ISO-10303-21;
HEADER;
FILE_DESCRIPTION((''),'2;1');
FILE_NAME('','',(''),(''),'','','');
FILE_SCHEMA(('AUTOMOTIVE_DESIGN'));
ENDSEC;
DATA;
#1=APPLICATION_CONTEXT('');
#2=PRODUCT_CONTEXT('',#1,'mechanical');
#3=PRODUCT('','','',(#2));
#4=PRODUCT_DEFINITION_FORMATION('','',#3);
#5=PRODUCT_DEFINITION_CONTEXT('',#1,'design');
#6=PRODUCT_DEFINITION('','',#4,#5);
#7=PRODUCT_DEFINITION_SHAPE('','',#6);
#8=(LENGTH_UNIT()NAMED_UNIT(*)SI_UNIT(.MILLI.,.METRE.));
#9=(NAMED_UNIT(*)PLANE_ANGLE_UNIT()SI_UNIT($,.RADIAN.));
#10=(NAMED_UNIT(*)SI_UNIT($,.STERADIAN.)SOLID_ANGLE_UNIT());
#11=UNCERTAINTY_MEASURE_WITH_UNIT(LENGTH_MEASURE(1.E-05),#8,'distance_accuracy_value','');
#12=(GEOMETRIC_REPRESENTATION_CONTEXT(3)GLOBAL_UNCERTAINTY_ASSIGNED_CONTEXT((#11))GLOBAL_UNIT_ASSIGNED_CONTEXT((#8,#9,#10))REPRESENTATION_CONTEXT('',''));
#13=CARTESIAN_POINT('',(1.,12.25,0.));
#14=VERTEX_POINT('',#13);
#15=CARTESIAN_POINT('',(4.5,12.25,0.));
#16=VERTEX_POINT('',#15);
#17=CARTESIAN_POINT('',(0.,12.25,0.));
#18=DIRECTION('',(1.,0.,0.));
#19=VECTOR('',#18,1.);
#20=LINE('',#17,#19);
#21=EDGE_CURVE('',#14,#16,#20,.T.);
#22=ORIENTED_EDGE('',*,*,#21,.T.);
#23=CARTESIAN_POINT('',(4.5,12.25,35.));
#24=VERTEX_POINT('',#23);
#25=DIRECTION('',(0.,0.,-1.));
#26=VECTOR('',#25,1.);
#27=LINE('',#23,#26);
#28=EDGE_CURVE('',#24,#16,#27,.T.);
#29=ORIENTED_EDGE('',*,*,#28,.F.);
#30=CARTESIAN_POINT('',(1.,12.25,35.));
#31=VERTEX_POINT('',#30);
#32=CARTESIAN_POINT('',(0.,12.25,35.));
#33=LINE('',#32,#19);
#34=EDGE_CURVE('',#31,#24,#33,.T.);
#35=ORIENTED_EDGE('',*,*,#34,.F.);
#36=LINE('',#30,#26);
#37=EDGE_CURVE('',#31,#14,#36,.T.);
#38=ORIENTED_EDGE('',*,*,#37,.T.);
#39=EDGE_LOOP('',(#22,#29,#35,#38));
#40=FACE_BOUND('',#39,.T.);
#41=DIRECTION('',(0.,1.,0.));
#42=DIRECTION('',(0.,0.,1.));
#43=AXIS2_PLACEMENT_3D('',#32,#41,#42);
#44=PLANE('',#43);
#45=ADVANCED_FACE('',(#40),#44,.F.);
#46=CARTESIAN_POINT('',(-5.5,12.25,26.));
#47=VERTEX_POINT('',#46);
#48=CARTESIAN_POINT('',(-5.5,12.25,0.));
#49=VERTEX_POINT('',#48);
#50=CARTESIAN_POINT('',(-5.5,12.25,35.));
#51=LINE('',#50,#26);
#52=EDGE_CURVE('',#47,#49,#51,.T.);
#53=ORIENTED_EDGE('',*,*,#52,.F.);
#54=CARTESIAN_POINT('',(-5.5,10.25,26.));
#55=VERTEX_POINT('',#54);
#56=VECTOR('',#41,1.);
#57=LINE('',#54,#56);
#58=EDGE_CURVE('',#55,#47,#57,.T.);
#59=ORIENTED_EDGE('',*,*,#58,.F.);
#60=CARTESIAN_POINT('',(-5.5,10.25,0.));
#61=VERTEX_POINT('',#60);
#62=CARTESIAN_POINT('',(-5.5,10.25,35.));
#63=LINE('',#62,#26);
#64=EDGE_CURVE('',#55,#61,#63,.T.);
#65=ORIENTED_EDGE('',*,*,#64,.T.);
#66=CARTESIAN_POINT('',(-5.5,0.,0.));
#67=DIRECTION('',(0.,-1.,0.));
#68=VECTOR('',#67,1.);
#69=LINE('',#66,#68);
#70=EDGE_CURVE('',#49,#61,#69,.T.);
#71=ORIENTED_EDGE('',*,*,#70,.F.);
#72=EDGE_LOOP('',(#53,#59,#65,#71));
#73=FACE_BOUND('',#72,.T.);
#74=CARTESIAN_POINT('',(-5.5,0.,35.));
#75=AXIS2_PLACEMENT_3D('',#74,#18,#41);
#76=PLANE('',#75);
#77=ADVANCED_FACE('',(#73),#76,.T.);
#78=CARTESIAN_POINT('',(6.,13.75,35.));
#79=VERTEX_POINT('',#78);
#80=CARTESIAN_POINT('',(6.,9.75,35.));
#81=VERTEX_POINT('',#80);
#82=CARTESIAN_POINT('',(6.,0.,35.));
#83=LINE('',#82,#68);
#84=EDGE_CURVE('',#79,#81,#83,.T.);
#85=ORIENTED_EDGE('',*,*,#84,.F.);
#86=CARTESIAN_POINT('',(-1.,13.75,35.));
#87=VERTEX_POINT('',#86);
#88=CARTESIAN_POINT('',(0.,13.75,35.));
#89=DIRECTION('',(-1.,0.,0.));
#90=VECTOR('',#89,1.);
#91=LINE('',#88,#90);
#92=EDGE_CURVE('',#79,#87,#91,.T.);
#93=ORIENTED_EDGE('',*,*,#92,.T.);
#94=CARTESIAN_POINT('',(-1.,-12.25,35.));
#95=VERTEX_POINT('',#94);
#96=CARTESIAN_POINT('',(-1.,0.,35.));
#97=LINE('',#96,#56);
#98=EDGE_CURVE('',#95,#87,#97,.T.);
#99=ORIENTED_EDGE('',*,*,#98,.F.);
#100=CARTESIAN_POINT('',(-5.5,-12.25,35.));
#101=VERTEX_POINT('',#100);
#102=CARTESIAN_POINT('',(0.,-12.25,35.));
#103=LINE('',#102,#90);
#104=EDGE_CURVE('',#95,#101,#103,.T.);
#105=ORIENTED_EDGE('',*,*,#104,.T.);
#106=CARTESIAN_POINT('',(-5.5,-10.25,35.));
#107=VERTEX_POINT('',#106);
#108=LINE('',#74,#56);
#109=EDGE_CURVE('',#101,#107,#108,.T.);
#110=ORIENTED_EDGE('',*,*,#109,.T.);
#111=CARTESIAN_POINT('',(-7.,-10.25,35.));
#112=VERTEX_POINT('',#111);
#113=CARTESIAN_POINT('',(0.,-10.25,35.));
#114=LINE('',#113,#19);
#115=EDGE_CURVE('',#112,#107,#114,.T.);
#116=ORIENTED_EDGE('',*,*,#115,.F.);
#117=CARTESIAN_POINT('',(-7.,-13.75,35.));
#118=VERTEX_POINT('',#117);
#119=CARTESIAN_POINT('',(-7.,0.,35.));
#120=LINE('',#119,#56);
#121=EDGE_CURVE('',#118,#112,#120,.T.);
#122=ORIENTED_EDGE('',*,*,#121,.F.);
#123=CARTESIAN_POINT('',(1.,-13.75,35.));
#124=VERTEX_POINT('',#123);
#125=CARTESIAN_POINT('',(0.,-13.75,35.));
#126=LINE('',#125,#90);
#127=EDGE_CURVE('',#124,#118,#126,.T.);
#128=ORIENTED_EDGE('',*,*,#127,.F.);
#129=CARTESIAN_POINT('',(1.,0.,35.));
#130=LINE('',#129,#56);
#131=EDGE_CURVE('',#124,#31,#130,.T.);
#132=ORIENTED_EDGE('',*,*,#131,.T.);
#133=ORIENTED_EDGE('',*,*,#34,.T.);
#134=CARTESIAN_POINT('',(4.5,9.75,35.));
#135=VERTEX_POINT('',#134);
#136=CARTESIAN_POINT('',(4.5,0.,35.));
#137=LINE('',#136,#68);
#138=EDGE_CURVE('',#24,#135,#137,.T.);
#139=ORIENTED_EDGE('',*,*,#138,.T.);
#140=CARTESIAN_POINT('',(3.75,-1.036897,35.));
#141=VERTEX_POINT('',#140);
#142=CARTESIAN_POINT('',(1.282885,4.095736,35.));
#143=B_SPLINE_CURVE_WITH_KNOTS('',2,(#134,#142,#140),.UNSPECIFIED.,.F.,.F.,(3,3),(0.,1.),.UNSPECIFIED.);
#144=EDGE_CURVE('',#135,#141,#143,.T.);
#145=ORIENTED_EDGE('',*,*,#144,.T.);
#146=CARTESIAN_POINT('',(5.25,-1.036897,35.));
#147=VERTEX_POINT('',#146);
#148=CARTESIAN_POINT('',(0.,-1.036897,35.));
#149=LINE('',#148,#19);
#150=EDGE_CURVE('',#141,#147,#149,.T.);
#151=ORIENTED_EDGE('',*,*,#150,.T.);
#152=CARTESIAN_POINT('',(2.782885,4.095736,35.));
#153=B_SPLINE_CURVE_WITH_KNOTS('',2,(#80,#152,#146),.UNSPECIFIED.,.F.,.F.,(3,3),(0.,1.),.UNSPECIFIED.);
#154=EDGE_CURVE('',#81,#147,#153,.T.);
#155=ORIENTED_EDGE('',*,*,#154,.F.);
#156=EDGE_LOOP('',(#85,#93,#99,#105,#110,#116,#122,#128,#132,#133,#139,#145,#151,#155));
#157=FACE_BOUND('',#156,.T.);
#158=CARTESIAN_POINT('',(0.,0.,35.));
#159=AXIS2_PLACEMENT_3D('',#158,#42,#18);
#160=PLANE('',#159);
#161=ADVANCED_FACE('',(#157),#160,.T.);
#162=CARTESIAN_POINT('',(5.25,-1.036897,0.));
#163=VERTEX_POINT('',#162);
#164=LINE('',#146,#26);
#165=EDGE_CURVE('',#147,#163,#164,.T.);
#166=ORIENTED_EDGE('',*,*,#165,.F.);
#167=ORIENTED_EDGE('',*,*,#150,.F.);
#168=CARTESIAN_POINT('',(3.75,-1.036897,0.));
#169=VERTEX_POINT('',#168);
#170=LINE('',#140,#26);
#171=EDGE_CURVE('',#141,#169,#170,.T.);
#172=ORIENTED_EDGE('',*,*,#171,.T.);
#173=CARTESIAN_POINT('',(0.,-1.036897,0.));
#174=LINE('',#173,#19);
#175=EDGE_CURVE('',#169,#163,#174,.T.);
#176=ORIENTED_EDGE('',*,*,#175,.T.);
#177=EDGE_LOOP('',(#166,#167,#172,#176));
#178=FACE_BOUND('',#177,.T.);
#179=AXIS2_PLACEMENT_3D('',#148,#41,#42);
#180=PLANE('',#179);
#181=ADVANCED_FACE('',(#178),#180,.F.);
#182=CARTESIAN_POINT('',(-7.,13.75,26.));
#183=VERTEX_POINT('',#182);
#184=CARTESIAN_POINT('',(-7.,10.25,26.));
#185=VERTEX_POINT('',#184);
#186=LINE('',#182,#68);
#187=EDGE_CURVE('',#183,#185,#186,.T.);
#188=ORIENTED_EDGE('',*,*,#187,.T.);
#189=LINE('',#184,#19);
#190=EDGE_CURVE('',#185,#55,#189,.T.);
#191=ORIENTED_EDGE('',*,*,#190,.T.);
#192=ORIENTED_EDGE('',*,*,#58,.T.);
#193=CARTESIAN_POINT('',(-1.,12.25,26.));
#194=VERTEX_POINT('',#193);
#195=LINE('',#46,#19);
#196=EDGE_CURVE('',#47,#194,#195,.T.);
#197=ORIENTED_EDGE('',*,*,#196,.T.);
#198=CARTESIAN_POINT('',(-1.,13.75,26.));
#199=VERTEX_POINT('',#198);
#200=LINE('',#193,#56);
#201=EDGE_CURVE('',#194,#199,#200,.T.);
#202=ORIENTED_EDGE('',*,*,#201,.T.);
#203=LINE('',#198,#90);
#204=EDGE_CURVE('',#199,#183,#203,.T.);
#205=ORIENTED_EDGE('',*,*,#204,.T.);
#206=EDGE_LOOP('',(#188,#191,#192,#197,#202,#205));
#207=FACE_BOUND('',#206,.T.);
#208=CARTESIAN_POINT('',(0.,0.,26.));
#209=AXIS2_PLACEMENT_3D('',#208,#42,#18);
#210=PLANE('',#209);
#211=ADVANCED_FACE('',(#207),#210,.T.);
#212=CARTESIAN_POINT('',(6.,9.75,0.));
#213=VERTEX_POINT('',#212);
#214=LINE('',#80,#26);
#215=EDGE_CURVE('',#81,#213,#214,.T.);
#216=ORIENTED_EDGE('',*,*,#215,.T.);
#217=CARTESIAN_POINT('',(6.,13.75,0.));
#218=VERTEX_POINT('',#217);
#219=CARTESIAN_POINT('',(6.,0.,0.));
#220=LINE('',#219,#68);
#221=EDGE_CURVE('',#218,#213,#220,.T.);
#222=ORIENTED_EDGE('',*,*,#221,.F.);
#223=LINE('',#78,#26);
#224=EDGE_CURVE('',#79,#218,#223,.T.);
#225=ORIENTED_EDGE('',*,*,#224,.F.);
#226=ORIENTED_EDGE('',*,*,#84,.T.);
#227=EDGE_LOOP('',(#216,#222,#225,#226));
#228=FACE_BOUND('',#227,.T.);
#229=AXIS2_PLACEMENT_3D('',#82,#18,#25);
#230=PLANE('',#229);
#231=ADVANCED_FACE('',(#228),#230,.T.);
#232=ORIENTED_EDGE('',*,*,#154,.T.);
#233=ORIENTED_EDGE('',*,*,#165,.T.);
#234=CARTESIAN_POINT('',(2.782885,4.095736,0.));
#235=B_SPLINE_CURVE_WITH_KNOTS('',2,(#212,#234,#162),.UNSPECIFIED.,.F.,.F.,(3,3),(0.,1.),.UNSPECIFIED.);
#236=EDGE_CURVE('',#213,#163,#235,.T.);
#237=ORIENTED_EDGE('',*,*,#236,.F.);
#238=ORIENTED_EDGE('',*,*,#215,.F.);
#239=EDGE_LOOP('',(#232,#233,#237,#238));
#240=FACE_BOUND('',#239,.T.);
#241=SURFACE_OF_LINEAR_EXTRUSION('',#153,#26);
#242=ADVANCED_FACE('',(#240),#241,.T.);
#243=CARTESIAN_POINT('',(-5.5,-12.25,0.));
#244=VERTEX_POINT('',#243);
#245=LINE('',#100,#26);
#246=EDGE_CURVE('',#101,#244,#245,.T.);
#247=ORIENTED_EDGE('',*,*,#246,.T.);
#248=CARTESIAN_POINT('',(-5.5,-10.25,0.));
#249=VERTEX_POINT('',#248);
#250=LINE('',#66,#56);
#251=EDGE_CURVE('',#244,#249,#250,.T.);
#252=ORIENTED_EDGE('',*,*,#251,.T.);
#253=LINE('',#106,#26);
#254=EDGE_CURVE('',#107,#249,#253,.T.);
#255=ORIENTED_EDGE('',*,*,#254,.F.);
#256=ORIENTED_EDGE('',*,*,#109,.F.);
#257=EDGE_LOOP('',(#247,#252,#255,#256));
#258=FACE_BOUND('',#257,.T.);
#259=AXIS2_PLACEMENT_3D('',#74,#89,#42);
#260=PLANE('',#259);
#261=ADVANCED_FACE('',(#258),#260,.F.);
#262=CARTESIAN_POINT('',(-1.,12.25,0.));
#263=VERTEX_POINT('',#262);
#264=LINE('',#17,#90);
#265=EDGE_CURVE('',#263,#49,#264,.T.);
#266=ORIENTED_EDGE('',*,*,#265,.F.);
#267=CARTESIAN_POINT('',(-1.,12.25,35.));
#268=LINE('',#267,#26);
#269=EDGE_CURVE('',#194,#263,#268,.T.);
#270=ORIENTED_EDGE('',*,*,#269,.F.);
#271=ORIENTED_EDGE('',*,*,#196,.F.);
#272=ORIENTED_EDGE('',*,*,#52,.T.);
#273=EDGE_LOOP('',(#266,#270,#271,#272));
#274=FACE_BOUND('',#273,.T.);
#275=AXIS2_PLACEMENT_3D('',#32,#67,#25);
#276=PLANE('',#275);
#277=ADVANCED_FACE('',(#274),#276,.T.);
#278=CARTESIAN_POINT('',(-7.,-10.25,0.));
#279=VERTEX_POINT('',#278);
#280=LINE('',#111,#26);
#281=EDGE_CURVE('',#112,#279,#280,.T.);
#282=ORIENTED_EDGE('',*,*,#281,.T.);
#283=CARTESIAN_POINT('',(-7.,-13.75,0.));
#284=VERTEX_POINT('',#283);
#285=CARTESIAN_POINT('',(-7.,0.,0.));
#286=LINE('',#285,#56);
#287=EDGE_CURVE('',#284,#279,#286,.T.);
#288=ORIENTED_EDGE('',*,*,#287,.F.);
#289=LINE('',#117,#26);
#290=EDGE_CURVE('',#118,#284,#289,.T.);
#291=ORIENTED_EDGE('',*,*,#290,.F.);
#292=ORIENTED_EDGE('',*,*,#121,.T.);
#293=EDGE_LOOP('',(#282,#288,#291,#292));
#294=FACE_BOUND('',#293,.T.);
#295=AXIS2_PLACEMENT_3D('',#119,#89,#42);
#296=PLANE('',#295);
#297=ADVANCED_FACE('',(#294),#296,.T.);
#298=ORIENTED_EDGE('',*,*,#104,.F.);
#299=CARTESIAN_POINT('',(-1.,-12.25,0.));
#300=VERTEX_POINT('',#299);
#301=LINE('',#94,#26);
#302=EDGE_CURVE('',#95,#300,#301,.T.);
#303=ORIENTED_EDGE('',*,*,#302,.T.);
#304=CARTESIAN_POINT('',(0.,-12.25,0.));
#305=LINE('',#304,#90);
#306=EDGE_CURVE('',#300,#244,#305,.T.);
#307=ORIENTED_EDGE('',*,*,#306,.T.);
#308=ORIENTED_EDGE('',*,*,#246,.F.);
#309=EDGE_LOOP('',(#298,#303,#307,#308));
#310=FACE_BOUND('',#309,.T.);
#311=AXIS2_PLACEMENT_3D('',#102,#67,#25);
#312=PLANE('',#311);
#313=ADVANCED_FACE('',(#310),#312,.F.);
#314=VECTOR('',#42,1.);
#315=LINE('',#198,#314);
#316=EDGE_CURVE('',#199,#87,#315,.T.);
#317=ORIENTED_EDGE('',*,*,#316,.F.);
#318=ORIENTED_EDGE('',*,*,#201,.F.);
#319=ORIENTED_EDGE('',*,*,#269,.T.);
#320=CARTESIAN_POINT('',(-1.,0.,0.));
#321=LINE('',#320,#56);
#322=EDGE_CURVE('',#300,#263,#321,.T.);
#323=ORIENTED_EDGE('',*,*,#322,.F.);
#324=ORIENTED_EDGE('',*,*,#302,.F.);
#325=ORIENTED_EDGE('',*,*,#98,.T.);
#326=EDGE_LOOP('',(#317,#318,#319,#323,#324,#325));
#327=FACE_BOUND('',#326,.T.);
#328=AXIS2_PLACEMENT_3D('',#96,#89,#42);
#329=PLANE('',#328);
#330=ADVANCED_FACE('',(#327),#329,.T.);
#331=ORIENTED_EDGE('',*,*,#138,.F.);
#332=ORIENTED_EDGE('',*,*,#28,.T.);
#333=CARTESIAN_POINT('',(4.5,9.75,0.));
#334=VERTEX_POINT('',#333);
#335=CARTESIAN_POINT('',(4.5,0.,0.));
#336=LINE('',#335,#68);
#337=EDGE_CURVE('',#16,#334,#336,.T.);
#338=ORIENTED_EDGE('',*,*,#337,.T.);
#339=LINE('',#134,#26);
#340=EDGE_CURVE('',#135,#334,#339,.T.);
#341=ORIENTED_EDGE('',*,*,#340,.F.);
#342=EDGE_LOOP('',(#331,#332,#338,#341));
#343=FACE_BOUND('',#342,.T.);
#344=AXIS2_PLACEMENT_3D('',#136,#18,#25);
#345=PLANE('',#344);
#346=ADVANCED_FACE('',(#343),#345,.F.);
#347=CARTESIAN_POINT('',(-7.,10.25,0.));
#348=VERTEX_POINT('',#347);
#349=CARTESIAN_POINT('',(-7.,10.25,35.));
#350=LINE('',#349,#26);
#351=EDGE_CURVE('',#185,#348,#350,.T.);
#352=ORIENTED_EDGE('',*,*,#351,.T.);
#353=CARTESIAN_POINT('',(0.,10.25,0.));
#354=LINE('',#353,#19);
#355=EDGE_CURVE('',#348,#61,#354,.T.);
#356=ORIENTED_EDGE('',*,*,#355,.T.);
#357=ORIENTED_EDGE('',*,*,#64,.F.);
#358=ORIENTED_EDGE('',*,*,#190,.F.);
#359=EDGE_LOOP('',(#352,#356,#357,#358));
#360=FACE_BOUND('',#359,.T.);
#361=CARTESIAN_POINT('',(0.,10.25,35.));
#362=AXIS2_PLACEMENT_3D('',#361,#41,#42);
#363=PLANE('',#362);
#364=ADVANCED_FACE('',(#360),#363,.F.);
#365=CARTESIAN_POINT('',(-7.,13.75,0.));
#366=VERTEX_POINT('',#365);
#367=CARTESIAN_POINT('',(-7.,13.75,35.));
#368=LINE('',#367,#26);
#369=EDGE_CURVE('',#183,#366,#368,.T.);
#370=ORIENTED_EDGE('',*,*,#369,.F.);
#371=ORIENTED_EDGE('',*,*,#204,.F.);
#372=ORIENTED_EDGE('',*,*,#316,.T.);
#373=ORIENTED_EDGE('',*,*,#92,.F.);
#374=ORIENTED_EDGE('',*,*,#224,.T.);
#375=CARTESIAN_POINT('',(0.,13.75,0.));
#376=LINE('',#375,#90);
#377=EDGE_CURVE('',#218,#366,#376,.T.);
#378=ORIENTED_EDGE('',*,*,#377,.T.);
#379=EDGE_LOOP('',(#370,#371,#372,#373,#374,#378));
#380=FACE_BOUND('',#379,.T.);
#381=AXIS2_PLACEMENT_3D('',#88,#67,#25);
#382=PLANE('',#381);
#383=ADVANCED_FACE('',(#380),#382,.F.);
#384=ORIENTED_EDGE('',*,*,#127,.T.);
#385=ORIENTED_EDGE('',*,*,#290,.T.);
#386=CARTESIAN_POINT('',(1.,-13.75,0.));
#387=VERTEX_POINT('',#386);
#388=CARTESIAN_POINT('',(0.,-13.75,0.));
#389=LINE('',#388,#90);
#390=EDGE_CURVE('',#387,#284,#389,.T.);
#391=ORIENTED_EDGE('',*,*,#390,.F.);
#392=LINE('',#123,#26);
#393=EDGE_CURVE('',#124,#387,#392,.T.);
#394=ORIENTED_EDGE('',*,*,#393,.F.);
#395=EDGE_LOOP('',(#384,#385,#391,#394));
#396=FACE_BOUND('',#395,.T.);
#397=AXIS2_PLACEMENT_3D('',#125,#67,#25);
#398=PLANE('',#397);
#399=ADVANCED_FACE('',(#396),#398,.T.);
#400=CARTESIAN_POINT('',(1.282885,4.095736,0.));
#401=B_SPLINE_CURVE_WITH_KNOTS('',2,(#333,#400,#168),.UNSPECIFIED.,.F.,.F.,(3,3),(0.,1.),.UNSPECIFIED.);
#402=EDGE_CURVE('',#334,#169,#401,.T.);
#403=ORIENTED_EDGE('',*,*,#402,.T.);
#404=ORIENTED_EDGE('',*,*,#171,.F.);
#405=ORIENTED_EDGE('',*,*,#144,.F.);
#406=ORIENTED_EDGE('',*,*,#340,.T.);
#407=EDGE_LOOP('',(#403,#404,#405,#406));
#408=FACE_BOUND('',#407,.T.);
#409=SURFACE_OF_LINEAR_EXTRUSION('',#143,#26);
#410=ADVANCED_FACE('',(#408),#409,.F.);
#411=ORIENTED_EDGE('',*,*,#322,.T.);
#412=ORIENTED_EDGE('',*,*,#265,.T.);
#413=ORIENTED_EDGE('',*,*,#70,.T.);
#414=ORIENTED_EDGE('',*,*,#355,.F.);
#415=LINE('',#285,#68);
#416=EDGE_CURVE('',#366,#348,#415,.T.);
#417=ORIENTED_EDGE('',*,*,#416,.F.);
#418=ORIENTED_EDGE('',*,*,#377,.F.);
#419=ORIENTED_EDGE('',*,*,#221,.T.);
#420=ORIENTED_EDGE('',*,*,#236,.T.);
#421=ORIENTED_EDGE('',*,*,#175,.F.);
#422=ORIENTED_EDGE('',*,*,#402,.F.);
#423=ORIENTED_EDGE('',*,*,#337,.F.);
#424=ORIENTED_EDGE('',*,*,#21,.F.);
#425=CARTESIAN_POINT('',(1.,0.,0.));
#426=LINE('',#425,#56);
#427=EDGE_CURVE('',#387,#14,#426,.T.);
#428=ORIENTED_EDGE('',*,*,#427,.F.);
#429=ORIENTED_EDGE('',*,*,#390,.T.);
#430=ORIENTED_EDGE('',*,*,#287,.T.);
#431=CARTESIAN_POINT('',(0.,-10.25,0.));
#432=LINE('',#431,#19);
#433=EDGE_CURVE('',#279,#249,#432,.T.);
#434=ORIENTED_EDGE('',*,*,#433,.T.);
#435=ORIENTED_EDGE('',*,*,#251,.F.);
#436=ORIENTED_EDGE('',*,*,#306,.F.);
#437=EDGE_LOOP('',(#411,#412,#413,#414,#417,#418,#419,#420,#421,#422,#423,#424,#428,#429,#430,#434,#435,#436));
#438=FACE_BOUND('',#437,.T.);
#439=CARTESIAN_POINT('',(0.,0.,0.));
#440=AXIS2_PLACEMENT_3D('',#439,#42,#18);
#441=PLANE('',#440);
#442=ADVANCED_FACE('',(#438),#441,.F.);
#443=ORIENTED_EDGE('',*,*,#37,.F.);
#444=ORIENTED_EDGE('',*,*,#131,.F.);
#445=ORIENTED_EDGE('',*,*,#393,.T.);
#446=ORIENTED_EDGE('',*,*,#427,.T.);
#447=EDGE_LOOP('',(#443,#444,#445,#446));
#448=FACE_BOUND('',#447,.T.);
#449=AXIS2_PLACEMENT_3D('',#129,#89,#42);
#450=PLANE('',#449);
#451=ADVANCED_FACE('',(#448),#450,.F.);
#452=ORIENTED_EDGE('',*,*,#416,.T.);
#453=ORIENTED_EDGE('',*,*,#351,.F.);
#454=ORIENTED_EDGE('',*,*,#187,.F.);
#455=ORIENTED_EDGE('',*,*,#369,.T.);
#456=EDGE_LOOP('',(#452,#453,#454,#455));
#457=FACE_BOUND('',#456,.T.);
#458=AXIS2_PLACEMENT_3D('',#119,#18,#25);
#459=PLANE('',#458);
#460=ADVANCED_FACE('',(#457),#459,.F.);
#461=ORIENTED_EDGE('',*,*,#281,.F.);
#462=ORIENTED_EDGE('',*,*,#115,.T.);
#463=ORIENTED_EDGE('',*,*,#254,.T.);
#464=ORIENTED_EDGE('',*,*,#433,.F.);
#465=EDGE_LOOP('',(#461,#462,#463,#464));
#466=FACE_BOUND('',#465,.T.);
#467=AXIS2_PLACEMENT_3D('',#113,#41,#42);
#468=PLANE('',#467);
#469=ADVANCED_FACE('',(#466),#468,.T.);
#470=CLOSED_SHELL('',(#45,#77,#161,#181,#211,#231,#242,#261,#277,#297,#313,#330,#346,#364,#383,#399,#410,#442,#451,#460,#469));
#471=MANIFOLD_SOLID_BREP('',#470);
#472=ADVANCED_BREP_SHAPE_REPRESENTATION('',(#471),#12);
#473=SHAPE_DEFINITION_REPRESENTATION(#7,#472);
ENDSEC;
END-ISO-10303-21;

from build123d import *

# Parameters (mm, degrees)
AUFSATZ_LINEAR_AUSTRAGEN1_DEPTH = 35
SCHNITT_LINEAR_AUSTRAGEN1_DEPTH = 9


with BuildPart() as part:
    # Skizze1 → Aufsatz-Linear austragen1 (new body)
    with BuildSketch(Plane.XY):
        with BuildLine():
            add(Edge.make_bspline(
                [(4.5, 9.75), (1.282885482, 4.095735731), (3.75, -1.036897294)],
                knots=[0, 0, 0, 1, 1, 1], degree=2))
            Line((3.75, -1.036897294), (5.25, -1.036897294))
            add(Edge.make_bspline(
                [(6, 9.75), (2.782885482, 4.095735731), (5.25, -1.036897294)],
                knots=[0, 0, 0, 1, 1, 1], degree=2))
            Line((6, 9.75), (6, 13.75))
            Line((6, 13.75), (-7, 13.75))
            Line((-7, 13.75), (-7, 10.25))
            Line((-7, 10.25), (-5.5, 10.25))
            Line((-5.5, 10.25), (-5.5, 12.25))
            Line((-5.5, 12.25), (-1, 12.25))
            Line((-1, 12.25), (-1, -12.25))
            Line((-1, -12.25), (-5.5, -12.25))
            Line((-5.5, -12.25), (-5.5, -10.25))
            Line((-5.5, -10.25), (-7, -10.25))
            Line((-7, -10.25), (-7, -13.75))
            Line((-7, -13.75), (1, -13.75))
            Line((1, -13.75), (1, 12.25))
            Line((1, 12.25), (4.5, 12.25))
            Line((4.5, 12.25), (4.5, 9.75))
        make_face()
    extrude(amount=AUFSATZ_LINEAR_AUSTRAGEN1_DEPTH)

    # Skizze3 → Schnitt-Linear austragen1 (cut)
    with BuildSketch(Plane.XY.offset(35)):
        Polygon((-1, 12.25), (-1, 13.75), (-7, 13.75), (-7, 10.25), (-5.5, 10.25), (-5.5, 12.25), align=None)
    extrude(amount=-SCHNITT_LINEAR_AUSTRAGEN1_DEPTH, mode=Mode.SUBTRACT)


solid = part.part
